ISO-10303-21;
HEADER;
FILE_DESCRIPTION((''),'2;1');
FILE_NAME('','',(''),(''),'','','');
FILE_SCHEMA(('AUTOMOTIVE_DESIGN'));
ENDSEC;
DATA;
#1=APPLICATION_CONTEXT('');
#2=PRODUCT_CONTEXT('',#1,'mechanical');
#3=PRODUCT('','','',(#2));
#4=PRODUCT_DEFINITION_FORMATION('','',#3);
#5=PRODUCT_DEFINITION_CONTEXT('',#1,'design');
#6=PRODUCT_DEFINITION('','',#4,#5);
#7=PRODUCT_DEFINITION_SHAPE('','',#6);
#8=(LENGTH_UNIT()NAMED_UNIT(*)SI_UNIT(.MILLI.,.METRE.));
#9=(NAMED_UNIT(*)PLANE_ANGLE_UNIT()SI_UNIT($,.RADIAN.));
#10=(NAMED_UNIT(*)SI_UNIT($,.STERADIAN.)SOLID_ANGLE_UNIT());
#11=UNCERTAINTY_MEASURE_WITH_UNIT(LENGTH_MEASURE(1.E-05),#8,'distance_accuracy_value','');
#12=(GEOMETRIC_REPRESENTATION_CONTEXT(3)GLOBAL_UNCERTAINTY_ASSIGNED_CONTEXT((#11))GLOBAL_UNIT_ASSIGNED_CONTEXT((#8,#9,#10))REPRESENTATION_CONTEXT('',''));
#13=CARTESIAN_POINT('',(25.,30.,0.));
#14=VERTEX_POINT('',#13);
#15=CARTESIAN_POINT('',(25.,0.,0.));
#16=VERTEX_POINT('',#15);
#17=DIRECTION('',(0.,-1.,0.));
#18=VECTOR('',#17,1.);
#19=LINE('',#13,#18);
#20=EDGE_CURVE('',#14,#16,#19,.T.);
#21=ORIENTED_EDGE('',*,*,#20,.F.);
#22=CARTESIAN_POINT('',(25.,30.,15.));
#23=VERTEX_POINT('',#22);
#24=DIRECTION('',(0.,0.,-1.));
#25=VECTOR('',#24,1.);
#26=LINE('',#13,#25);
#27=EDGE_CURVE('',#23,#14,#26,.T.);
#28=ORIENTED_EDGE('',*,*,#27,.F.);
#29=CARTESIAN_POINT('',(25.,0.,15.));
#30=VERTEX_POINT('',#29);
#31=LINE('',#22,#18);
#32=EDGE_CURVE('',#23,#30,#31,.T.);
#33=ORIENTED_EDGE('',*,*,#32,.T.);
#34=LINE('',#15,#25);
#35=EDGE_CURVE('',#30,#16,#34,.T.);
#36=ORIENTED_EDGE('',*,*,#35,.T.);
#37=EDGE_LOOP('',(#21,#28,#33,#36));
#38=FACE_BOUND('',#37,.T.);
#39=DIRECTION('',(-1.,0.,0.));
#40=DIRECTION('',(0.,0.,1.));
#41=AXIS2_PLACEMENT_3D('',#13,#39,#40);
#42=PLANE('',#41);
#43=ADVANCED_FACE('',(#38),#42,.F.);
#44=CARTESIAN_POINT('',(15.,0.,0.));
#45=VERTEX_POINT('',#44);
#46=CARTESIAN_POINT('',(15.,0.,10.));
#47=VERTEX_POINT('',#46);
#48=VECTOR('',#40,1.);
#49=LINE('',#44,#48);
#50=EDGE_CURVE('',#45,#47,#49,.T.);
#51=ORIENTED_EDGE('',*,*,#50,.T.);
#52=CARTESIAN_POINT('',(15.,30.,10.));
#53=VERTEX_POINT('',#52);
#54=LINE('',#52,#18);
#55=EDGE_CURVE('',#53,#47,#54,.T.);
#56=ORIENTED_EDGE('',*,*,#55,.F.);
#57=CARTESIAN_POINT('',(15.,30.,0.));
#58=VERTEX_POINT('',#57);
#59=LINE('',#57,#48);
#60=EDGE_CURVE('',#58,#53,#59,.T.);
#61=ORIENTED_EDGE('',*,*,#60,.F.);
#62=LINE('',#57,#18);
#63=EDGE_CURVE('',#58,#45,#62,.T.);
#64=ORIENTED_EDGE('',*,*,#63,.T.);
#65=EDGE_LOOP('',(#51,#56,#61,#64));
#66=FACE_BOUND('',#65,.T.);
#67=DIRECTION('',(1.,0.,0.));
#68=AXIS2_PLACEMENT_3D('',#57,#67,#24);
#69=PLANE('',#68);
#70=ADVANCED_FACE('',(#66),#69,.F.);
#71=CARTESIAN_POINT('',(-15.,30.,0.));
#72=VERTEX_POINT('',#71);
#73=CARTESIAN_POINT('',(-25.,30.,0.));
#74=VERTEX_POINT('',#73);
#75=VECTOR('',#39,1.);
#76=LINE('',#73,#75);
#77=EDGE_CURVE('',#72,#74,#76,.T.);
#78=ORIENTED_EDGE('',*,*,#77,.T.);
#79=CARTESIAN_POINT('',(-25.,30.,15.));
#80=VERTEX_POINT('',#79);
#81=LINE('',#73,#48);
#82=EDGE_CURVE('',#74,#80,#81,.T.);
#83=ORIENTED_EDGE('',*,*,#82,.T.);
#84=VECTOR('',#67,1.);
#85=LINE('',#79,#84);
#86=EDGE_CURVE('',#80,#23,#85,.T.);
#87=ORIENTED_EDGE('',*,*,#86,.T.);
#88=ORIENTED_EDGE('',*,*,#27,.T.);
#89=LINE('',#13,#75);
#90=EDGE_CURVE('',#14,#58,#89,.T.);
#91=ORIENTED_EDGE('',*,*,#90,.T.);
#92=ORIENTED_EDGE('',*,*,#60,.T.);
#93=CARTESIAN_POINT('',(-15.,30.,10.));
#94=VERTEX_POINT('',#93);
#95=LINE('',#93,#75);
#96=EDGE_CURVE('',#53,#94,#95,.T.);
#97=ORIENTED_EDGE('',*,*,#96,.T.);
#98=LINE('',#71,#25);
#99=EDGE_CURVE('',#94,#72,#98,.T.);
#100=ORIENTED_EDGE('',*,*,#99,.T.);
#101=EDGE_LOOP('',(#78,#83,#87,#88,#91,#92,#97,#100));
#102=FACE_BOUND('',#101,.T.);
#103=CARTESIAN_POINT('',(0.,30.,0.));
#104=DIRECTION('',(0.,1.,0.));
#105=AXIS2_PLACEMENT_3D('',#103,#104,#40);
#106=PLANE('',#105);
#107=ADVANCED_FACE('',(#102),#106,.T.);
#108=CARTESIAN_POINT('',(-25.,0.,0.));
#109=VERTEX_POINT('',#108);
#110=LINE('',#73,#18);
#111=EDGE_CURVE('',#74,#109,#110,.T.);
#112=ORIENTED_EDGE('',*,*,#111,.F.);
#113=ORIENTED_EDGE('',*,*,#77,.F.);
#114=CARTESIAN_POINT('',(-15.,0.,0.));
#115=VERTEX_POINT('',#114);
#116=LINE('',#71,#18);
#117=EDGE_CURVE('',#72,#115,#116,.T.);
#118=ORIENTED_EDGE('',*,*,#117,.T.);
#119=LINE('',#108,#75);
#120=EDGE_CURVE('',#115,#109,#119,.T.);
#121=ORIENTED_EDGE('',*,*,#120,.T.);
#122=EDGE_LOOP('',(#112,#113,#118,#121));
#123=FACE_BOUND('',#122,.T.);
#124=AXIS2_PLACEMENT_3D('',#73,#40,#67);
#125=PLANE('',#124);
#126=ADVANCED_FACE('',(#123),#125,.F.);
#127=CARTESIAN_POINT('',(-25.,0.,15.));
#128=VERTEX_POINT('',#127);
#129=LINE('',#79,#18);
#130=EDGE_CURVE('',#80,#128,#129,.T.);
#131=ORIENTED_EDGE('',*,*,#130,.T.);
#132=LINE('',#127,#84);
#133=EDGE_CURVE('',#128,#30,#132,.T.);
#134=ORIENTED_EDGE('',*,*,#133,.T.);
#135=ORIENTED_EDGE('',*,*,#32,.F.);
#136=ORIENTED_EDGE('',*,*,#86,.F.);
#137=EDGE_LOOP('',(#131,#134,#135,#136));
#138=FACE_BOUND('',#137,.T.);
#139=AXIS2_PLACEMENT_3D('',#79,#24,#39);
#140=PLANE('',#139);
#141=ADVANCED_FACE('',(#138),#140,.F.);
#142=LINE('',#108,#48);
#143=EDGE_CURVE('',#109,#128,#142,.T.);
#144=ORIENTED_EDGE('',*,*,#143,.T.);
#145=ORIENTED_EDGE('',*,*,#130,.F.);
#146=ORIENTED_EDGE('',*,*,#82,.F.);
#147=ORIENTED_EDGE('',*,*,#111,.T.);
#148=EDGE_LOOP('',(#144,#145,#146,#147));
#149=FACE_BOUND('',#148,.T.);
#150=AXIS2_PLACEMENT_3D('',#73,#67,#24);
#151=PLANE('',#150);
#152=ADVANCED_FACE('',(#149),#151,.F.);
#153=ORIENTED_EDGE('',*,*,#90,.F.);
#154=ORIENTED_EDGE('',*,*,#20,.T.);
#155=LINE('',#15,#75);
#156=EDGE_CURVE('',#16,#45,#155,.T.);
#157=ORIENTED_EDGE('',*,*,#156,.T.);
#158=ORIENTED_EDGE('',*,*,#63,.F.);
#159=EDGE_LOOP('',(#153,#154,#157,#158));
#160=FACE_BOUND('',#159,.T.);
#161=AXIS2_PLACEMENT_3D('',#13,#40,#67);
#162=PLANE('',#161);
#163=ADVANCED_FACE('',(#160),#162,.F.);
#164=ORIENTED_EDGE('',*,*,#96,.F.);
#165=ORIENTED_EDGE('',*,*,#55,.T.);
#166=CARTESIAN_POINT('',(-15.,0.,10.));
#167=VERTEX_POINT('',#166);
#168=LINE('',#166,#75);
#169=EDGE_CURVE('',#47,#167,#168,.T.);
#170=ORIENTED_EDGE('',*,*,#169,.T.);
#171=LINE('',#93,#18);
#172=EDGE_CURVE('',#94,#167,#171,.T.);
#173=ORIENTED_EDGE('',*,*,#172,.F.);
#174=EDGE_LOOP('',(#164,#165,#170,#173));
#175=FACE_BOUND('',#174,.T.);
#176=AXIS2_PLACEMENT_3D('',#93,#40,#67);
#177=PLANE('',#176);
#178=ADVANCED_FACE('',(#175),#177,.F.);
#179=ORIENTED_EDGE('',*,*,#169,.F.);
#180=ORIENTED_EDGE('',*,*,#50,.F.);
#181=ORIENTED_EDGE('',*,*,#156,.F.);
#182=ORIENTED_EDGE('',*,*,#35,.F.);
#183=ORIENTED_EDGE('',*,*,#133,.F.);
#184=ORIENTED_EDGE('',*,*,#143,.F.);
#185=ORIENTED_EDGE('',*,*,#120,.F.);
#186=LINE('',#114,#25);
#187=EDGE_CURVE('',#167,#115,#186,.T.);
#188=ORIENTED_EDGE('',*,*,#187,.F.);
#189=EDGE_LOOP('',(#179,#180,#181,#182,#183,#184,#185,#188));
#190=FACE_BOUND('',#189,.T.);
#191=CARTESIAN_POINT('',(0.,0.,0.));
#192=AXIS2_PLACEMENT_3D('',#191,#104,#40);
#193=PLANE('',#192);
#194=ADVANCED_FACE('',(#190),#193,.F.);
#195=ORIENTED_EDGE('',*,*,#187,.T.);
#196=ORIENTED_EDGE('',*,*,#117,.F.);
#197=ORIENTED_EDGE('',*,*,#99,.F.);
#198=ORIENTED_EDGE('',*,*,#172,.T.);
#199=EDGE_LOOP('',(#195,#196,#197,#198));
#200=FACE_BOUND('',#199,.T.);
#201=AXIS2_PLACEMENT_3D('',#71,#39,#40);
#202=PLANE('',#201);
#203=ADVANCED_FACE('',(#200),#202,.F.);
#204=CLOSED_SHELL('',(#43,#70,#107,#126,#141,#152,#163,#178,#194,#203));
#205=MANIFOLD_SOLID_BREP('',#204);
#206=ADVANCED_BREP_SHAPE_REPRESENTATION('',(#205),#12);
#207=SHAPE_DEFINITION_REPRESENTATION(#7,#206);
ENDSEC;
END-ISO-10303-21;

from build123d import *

# Parameters (mm, degrees)
BOSS_EXTRUDE1_DEPTH = 30


with BuildPart() as part:
    # Sketch1 → Boss-Extrude1 (new body)
    with BuildSketch(Plane(origin=(0, 0, 0), x_dir=(1, 0, 0), z_dir=(0, 1, 0))):
        Polygon((-25, 0), (-15, 0), (-15, -10), (15, -10), (15, 0), (25, 0), (25, -15), (-25, -15), align=None)
    extrude(amount=BOSS_EXTRUDE1_DEPTH)


solid = part.part
